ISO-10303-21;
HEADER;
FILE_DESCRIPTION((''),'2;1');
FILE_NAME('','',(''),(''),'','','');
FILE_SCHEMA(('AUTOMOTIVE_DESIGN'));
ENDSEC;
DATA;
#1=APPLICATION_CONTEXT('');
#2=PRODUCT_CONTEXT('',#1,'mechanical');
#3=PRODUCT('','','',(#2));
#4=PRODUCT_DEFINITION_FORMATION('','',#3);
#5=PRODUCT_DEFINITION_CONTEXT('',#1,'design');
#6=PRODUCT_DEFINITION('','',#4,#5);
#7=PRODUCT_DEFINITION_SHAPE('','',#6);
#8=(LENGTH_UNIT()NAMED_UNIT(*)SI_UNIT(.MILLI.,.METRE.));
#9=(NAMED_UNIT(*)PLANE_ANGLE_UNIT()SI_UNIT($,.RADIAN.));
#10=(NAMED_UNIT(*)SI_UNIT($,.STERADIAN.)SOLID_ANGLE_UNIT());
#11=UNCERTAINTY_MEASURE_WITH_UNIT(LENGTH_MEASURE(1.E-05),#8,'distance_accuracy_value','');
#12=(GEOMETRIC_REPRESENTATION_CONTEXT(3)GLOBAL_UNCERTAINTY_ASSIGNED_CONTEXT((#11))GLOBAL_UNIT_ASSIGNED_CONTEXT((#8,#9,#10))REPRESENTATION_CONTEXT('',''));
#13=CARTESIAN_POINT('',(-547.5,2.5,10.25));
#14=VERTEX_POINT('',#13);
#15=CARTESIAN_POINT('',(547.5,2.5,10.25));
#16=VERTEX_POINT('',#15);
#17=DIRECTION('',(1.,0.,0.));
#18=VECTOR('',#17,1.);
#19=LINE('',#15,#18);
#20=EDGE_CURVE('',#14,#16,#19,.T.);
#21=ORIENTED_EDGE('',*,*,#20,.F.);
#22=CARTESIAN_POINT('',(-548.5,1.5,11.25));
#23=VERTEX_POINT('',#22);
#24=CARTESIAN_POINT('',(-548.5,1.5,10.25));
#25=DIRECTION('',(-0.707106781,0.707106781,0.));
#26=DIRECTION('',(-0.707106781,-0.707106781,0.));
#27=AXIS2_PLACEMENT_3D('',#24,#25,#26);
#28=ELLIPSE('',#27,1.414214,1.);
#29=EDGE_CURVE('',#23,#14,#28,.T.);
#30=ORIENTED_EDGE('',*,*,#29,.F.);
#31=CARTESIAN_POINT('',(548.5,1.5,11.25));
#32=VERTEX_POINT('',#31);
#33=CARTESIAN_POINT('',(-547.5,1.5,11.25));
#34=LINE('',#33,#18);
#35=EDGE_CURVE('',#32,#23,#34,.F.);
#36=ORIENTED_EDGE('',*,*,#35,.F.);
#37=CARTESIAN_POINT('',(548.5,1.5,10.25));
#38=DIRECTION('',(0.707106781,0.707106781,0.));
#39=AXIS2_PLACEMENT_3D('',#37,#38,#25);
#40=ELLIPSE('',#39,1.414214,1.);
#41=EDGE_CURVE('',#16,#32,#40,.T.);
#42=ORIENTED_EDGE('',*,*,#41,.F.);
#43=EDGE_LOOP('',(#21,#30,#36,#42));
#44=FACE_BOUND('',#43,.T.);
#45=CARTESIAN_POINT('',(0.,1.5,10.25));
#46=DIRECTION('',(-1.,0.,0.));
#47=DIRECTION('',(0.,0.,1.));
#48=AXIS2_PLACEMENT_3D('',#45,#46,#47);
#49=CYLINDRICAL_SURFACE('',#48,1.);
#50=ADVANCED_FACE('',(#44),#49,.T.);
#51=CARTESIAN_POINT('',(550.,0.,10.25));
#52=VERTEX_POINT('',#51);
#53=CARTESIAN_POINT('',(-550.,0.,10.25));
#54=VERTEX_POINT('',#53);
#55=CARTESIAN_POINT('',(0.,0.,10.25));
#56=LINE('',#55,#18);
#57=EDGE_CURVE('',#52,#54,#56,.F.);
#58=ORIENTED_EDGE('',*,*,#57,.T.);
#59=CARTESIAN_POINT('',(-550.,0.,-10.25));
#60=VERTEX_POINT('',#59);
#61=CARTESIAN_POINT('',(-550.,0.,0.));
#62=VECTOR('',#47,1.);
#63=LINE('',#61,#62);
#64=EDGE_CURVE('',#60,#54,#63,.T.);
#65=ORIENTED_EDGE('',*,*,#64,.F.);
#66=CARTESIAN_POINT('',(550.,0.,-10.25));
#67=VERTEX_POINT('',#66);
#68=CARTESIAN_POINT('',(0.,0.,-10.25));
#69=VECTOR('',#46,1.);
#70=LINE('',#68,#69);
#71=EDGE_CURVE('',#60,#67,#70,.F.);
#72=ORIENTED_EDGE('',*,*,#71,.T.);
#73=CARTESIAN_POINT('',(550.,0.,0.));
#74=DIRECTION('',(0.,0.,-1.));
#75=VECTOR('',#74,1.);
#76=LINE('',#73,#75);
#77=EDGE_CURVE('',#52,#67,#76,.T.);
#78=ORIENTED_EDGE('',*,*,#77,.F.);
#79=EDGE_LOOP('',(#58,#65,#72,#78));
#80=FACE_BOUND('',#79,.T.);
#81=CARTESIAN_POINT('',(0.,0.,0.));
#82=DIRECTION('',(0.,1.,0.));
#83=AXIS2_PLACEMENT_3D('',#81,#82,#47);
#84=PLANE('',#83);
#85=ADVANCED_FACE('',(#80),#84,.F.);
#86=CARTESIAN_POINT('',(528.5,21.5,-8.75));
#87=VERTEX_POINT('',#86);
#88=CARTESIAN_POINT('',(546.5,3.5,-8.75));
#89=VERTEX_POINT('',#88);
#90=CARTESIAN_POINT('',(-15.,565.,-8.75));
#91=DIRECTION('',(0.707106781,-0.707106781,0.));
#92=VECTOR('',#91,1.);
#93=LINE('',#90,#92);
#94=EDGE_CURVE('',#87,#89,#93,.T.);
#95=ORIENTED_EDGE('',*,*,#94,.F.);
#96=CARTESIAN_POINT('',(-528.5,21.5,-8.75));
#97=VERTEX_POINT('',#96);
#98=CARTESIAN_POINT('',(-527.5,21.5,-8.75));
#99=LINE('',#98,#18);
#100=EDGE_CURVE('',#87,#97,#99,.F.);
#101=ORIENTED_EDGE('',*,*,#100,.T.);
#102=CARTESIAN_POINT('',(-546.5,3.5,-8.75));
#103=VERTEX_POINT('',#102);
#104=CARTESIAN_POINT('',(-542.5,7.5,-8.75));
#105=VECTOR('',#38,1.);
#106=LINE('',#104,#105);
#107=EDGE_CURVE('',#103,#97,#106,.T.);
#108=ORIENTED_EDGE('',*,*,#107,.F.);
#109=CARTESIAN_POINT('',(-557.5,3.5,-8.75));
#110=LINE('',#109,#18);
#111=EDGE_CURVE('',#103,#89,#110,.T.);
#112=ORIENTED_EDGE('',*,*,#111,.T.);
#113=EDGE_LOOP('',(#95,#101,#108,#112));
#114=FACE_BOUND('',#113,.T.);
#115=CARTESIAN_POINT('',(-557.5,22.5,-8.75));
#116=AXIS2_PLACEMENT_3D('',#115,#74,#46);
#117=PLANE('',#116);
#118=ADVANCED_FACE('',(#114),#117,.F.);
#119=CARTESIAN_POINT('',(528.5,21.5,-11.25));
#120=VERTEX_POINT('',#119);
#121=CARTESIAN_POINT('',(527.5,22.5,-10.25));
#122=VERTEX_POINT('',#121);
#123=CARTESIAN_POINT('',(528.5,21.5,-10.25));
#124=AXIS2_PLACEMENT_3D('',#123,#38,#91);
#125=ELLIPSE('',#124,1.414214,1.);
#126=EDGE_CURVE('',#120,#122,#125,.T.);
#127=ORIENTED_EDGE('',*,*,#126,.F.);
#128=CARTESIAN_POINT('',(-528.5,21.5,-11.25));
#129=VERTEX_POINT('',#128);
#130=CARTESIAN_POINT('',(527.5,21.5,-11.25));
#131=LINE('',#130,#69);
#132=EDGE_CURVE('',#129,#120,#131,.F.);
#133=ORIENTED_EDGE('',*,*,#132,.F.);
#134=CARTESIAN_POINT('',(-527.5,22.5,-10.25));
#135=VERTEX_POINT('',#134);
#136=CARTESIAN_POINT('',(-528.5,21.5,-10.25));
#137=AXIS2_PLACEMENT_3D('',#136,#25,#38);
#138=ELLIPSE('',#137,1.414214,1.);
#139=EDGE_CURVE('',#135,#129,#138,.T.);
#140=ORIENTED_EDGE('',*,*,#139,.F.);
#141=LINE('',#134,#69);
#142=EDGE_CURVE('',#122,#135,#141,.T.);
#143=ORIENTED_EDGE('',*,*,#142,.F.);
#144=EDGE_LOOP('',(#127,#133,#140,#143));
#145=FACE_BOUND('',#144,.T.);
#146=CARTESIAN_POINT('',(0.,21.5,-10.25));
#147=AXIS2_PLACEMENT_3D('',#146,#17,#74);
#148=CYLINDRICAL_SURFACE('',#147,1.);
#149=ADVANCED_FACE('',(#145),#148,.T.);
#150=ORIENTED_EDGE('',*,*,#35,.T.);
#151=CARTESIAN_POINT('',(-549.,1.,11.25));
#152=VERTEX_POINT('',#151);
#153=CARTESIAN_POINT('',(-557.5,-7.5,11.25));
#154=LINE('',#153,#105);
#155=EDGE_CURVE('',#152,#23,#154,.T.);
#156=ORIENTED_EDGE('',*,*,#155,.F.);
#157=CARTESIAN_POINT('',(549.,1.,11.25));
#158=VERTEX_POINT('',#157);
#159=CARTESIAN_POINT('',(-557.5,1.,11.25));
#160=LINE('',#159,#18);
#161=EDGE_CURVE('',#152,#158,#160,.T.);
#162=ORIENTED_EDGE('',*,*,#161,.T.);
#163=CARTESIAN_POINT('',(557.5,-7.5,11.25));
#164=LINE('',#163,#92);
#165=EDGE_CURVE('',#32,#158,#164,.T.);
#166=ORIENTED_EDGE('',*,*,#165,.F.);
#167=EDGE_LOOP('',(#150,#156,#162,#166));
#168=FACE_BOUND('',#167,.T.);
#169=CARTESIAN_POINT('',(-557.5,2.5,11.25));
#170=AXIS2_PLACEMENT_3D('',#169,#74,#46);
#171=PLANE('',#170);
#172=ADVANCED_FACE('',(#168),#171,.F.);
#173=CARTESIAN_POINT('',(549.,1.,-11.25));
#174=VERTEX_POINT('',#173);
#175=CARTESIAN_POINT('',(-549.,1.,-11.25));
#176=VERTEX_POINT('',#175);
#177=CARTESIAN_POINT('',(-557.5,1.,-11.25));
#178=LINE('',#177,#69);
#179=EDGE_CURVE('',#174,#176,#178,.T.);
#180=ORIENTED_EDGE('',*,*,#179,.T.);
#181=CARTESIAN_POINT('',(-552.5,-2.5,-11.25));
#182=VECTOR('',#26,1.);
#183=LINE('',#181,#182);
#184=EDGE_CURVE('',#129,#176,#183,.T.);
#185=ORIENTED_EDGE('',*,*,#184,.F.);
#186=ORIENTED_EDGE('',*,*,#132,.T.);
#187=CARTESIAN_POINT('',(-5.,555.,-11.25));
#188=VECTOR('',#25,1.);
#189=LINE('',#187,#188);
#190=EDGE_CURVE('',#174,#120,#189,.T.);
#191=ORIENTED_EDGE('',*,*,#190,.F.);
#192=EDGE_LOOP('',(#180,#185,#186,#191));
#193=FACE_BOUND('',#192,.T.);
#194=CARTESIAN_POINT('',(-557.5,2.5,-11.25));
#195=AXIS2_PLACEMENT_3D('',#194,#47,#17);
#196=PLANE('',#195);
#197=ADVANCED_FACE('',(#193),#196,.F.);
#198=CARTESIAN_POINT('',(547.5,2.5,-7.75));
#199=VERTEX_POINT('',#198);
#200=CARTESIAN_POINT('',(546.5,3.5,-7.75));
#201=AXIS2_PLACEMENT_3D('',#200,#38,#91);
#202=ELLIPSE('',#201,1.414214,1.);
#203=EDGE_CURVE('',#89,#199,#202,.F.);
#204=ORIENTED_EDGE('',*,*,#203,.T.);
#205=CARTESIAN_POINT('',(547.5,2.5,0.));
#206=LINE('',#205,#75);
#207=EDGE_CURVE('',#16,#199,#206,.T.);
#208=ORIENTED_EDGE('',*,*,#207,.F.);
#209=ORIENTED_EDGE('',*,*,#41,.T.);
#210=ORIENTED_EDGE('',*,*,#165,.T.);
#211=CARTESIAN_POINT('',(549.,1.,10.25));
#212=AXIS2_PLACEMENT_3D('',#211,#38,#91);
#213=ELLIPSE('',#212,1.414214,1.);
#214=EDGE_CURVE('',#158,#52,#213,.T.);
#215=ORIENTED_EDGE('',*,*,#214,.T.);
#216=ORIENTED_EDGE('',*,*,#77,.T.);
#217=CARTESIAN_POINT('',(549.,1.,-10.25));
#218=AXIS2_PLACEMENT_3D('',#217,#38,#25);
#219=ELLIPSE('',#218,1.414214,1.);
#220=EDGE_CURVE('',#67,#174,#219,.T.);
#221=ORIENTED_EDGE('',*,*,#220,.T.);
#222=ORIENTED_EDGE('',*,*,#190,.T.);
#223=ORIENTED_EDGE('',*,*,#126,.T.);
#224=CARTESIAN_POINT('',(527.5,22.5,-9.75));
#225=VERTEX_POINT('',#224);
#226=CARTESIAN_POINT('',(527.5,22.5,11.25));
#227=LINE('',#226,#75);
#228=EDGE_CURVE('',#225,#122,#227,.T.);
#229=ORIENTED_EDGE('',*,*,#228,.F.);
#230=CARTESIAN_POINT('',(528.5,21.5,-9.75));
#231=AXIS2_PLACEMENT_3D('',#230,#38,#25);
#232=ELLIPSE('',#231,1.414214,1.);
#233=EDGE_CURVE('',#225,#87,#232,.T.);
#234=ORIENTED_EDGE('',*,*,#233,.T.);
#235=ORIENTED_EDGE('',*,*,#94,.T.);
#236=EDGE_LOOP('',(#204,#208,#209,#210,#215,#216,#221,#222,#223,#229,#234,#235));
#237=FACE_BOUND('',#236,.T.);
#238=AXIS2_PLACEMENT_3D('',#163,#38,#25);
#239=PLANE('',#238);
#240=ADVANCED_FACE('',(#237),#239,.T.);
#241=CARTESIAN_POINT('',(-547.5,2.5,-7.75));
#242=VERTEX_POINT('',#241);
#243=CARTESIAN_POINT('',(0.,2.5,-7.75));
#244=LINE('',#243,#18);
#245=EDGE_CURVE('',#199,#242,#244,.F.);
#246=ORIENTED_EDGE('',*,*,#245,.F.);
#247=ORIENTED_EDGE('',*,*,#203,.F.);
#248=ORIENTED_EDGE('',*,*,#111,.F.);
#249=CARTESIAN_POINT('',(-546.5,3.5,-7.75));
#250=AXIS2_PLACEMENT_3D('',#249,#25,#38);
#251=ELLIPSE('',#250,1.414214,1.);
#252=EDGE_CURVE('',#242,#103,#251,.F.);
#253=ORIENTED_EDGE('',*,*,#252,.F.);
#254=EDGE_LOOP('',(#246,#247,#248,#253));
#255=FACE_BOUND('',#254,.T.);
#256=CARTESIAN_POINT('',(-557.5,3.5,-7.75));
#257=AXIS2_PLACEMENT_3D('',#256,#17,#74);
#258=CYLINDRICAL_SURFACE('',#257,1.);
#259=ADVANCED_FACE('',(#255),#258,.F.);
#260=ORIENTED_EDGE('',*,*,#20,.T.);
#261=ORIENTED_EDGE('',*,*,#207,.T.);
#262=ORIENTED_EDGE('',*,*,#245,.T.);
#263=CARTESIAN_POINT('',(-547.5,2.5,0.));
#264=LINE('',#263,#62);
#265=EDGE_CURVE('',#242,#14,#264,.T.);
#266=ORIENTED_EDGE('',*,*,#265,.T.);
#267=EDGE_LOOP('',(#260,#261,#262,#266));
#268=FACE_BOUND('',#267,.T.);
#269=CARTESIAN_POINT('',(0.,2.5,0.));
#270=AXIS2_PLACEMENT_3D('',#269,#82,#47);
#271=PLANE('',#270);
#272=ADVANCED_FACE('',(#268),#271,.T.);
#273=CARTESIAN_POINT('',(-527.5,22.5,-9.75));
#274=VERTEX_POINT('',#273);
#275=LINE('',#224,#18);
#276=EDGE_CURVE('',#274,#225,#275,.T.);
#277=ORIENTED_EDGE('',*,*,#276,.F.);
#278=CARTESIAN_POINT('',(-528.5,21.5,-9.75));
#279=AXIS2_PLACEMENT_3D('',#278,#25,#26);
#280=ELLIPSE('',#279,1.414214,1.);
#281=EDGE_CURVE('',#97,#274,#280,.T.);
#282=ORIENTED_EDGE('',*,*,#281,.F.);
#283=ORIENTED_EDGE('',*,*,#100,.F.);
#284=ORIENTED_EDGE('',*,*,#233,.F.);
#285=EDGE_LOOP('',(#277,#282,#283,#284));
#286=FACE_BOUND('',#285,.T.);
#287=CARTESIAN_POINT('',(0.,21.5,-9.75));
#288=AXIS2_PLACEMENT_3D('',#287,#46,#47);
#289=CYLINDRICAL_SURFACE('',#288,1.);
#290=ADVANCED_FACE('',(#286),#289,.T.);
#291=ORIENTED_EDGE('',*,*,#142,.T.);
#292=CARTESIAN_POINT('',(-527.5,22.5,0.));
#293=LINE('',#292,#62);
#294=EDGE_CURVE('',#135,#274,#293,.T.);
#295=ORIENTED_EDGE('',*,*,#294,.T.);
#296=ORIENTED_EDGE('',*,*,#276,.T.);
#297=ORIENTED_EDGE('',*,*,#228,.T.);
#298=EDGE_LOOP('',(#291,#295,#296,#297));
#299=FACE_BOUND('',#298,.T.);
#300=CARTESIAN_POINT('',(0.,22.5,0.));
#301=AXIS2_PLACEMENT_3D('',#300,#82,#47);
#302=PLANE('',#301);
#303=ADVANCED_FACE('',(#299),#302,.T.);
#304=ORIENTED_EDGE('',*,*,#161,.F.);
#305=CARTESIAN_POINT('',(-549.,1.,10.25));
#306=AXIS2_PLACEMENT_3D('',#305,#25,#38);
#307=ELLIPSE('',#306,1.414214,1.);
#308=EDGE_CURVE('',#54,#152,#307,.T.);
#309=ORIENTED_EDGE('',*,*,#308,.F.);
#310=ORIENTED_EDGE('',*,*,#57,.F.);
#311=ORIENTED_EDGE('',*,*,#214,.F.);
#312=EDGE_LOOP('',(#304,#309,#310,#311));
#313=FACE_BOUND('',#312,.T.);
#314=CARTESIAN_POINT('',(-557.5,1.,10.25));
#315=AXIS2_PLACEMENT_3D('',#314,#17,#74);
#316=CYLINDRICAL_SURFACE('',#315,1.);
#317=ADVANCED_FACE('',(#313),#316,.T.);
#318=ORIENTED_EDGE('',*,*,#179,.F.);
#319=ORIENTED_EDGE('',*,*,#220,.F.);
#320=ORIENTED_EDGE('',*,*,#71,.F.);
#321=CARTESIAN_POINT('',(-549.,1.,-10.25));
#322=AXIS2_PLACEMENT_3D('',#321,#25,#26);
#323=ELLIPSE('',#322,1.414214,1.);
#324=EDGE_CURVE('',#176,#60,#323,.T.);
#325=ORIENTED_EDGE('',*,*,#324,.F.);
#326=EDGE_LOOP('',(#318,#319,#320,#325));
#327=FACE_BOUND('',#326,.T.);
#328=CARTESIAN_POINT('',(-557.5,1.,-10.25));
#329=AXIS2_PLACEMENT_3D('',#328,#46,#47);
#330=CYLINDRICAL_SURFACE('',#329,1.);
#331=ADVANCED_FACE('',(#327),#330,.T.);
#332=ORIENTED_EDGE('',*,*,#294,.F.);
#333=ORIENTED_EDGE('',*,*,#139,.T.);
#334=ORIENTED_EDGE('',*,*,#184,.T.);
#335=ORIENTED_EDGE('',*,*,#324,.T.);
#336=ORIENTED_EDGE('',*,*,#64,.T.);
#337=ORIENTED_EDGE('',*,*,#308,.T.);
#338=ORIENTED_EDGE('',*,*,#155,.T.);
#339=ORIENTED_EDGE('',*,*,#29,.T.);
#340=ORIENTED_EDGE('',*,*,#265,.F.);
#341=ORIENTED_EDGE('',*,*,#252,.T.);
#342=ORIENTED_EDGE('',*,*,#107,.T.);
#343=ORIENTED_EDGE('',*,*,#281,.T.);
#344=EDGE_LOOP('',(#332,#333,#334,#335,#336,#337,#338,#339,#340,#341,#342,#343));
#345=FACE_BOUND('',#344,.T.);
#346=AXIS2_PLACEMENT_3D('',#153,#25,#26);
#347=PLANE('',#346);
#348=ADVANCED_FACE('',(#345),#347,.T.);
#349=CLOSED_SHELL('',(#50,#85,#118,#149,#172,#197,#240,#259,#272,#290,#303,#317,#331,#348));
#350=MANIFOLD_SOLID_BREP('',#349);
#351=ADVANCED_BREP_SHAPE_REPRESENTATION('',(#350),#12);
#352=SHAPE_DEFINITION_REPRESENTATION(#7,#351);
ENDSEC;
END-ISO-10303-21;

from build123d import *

# Parameters (mm, degrees)
SKETCH1_W               = 1115
SKETCH1_H               = 22.5
BOSS_EXTRUDE1_DEPTH     = 2.5
SKETCH2_W               = 1115
SKETCH2_H               = 2.5
BOSS_EXTRUDE2_DEPTH     = 20
CUT_EXTRUDE1_DEPTH      = 559.312188654
CUT_EXTRUDE1_DEPTH_BACK = 25
FILLET2_R               = 1


with BuildPart() as part:
    # Sketch1 → Boss-Extrude1 (new body)
    with BuildSketch(Plane(origin=(0, 0, 0), x_dir=(1, 0, 0), z_dir=(0, 1, 0))):
        Rectangle(SKETCH1_W, SKETCH1_H)
    extrude(amount=BOSS_EXTRUDE1_DEPTH)

    # Sketch2 → Boss-Extrude2 (add)
    with BuildSketch(Plane(origin=(0, 2.5, 0), x_dir=(1, 0, 0), z_dir=(0, 1, 0))):
        with Locations((0, 10)):
            Rectangle(SKETCH2_W, SKETCH2_H)
    extrude(amount=BOSS_EXTRUDE2_DEPTH)

    # Sketch3 → Cut-Extrude1 (cut, two sides: drawn at the far end of the back side and taken through both)
    with BuildSketch(Plane.XY.offset(-8.75).offset(-CUT_EXTRUDE1_DEPTH_BACK)):
        Polygon((-557.5, 22.5), (-557.5, -7.5), (-527.5, 22.5), align=None)
        Polygon((557.5, 22.5), (557.5, -7.5), (527.5, 22.5), align=None)
    extrude(amount=CUT_EXTRUDE1_DEPTH + CUT_EXTRUDE1_DEPTH_BACK, mode=Mode.SUBTRACT)

    # Fillet2
    fillet2_edges = [part.edges().sort_by_distance(p)[0] for p in [
        (0, 22.5, -8.75),
        (0, 2.5, -8.75),
        (0, 0, 11.25),
        (0, 2.5, 11.25),
        (0, 22.5, -11.25),
        (0, 0, -11.25),
    ]]
    fillet(fillet2_edges, radius=FILLET2_R)


solid = part.part
